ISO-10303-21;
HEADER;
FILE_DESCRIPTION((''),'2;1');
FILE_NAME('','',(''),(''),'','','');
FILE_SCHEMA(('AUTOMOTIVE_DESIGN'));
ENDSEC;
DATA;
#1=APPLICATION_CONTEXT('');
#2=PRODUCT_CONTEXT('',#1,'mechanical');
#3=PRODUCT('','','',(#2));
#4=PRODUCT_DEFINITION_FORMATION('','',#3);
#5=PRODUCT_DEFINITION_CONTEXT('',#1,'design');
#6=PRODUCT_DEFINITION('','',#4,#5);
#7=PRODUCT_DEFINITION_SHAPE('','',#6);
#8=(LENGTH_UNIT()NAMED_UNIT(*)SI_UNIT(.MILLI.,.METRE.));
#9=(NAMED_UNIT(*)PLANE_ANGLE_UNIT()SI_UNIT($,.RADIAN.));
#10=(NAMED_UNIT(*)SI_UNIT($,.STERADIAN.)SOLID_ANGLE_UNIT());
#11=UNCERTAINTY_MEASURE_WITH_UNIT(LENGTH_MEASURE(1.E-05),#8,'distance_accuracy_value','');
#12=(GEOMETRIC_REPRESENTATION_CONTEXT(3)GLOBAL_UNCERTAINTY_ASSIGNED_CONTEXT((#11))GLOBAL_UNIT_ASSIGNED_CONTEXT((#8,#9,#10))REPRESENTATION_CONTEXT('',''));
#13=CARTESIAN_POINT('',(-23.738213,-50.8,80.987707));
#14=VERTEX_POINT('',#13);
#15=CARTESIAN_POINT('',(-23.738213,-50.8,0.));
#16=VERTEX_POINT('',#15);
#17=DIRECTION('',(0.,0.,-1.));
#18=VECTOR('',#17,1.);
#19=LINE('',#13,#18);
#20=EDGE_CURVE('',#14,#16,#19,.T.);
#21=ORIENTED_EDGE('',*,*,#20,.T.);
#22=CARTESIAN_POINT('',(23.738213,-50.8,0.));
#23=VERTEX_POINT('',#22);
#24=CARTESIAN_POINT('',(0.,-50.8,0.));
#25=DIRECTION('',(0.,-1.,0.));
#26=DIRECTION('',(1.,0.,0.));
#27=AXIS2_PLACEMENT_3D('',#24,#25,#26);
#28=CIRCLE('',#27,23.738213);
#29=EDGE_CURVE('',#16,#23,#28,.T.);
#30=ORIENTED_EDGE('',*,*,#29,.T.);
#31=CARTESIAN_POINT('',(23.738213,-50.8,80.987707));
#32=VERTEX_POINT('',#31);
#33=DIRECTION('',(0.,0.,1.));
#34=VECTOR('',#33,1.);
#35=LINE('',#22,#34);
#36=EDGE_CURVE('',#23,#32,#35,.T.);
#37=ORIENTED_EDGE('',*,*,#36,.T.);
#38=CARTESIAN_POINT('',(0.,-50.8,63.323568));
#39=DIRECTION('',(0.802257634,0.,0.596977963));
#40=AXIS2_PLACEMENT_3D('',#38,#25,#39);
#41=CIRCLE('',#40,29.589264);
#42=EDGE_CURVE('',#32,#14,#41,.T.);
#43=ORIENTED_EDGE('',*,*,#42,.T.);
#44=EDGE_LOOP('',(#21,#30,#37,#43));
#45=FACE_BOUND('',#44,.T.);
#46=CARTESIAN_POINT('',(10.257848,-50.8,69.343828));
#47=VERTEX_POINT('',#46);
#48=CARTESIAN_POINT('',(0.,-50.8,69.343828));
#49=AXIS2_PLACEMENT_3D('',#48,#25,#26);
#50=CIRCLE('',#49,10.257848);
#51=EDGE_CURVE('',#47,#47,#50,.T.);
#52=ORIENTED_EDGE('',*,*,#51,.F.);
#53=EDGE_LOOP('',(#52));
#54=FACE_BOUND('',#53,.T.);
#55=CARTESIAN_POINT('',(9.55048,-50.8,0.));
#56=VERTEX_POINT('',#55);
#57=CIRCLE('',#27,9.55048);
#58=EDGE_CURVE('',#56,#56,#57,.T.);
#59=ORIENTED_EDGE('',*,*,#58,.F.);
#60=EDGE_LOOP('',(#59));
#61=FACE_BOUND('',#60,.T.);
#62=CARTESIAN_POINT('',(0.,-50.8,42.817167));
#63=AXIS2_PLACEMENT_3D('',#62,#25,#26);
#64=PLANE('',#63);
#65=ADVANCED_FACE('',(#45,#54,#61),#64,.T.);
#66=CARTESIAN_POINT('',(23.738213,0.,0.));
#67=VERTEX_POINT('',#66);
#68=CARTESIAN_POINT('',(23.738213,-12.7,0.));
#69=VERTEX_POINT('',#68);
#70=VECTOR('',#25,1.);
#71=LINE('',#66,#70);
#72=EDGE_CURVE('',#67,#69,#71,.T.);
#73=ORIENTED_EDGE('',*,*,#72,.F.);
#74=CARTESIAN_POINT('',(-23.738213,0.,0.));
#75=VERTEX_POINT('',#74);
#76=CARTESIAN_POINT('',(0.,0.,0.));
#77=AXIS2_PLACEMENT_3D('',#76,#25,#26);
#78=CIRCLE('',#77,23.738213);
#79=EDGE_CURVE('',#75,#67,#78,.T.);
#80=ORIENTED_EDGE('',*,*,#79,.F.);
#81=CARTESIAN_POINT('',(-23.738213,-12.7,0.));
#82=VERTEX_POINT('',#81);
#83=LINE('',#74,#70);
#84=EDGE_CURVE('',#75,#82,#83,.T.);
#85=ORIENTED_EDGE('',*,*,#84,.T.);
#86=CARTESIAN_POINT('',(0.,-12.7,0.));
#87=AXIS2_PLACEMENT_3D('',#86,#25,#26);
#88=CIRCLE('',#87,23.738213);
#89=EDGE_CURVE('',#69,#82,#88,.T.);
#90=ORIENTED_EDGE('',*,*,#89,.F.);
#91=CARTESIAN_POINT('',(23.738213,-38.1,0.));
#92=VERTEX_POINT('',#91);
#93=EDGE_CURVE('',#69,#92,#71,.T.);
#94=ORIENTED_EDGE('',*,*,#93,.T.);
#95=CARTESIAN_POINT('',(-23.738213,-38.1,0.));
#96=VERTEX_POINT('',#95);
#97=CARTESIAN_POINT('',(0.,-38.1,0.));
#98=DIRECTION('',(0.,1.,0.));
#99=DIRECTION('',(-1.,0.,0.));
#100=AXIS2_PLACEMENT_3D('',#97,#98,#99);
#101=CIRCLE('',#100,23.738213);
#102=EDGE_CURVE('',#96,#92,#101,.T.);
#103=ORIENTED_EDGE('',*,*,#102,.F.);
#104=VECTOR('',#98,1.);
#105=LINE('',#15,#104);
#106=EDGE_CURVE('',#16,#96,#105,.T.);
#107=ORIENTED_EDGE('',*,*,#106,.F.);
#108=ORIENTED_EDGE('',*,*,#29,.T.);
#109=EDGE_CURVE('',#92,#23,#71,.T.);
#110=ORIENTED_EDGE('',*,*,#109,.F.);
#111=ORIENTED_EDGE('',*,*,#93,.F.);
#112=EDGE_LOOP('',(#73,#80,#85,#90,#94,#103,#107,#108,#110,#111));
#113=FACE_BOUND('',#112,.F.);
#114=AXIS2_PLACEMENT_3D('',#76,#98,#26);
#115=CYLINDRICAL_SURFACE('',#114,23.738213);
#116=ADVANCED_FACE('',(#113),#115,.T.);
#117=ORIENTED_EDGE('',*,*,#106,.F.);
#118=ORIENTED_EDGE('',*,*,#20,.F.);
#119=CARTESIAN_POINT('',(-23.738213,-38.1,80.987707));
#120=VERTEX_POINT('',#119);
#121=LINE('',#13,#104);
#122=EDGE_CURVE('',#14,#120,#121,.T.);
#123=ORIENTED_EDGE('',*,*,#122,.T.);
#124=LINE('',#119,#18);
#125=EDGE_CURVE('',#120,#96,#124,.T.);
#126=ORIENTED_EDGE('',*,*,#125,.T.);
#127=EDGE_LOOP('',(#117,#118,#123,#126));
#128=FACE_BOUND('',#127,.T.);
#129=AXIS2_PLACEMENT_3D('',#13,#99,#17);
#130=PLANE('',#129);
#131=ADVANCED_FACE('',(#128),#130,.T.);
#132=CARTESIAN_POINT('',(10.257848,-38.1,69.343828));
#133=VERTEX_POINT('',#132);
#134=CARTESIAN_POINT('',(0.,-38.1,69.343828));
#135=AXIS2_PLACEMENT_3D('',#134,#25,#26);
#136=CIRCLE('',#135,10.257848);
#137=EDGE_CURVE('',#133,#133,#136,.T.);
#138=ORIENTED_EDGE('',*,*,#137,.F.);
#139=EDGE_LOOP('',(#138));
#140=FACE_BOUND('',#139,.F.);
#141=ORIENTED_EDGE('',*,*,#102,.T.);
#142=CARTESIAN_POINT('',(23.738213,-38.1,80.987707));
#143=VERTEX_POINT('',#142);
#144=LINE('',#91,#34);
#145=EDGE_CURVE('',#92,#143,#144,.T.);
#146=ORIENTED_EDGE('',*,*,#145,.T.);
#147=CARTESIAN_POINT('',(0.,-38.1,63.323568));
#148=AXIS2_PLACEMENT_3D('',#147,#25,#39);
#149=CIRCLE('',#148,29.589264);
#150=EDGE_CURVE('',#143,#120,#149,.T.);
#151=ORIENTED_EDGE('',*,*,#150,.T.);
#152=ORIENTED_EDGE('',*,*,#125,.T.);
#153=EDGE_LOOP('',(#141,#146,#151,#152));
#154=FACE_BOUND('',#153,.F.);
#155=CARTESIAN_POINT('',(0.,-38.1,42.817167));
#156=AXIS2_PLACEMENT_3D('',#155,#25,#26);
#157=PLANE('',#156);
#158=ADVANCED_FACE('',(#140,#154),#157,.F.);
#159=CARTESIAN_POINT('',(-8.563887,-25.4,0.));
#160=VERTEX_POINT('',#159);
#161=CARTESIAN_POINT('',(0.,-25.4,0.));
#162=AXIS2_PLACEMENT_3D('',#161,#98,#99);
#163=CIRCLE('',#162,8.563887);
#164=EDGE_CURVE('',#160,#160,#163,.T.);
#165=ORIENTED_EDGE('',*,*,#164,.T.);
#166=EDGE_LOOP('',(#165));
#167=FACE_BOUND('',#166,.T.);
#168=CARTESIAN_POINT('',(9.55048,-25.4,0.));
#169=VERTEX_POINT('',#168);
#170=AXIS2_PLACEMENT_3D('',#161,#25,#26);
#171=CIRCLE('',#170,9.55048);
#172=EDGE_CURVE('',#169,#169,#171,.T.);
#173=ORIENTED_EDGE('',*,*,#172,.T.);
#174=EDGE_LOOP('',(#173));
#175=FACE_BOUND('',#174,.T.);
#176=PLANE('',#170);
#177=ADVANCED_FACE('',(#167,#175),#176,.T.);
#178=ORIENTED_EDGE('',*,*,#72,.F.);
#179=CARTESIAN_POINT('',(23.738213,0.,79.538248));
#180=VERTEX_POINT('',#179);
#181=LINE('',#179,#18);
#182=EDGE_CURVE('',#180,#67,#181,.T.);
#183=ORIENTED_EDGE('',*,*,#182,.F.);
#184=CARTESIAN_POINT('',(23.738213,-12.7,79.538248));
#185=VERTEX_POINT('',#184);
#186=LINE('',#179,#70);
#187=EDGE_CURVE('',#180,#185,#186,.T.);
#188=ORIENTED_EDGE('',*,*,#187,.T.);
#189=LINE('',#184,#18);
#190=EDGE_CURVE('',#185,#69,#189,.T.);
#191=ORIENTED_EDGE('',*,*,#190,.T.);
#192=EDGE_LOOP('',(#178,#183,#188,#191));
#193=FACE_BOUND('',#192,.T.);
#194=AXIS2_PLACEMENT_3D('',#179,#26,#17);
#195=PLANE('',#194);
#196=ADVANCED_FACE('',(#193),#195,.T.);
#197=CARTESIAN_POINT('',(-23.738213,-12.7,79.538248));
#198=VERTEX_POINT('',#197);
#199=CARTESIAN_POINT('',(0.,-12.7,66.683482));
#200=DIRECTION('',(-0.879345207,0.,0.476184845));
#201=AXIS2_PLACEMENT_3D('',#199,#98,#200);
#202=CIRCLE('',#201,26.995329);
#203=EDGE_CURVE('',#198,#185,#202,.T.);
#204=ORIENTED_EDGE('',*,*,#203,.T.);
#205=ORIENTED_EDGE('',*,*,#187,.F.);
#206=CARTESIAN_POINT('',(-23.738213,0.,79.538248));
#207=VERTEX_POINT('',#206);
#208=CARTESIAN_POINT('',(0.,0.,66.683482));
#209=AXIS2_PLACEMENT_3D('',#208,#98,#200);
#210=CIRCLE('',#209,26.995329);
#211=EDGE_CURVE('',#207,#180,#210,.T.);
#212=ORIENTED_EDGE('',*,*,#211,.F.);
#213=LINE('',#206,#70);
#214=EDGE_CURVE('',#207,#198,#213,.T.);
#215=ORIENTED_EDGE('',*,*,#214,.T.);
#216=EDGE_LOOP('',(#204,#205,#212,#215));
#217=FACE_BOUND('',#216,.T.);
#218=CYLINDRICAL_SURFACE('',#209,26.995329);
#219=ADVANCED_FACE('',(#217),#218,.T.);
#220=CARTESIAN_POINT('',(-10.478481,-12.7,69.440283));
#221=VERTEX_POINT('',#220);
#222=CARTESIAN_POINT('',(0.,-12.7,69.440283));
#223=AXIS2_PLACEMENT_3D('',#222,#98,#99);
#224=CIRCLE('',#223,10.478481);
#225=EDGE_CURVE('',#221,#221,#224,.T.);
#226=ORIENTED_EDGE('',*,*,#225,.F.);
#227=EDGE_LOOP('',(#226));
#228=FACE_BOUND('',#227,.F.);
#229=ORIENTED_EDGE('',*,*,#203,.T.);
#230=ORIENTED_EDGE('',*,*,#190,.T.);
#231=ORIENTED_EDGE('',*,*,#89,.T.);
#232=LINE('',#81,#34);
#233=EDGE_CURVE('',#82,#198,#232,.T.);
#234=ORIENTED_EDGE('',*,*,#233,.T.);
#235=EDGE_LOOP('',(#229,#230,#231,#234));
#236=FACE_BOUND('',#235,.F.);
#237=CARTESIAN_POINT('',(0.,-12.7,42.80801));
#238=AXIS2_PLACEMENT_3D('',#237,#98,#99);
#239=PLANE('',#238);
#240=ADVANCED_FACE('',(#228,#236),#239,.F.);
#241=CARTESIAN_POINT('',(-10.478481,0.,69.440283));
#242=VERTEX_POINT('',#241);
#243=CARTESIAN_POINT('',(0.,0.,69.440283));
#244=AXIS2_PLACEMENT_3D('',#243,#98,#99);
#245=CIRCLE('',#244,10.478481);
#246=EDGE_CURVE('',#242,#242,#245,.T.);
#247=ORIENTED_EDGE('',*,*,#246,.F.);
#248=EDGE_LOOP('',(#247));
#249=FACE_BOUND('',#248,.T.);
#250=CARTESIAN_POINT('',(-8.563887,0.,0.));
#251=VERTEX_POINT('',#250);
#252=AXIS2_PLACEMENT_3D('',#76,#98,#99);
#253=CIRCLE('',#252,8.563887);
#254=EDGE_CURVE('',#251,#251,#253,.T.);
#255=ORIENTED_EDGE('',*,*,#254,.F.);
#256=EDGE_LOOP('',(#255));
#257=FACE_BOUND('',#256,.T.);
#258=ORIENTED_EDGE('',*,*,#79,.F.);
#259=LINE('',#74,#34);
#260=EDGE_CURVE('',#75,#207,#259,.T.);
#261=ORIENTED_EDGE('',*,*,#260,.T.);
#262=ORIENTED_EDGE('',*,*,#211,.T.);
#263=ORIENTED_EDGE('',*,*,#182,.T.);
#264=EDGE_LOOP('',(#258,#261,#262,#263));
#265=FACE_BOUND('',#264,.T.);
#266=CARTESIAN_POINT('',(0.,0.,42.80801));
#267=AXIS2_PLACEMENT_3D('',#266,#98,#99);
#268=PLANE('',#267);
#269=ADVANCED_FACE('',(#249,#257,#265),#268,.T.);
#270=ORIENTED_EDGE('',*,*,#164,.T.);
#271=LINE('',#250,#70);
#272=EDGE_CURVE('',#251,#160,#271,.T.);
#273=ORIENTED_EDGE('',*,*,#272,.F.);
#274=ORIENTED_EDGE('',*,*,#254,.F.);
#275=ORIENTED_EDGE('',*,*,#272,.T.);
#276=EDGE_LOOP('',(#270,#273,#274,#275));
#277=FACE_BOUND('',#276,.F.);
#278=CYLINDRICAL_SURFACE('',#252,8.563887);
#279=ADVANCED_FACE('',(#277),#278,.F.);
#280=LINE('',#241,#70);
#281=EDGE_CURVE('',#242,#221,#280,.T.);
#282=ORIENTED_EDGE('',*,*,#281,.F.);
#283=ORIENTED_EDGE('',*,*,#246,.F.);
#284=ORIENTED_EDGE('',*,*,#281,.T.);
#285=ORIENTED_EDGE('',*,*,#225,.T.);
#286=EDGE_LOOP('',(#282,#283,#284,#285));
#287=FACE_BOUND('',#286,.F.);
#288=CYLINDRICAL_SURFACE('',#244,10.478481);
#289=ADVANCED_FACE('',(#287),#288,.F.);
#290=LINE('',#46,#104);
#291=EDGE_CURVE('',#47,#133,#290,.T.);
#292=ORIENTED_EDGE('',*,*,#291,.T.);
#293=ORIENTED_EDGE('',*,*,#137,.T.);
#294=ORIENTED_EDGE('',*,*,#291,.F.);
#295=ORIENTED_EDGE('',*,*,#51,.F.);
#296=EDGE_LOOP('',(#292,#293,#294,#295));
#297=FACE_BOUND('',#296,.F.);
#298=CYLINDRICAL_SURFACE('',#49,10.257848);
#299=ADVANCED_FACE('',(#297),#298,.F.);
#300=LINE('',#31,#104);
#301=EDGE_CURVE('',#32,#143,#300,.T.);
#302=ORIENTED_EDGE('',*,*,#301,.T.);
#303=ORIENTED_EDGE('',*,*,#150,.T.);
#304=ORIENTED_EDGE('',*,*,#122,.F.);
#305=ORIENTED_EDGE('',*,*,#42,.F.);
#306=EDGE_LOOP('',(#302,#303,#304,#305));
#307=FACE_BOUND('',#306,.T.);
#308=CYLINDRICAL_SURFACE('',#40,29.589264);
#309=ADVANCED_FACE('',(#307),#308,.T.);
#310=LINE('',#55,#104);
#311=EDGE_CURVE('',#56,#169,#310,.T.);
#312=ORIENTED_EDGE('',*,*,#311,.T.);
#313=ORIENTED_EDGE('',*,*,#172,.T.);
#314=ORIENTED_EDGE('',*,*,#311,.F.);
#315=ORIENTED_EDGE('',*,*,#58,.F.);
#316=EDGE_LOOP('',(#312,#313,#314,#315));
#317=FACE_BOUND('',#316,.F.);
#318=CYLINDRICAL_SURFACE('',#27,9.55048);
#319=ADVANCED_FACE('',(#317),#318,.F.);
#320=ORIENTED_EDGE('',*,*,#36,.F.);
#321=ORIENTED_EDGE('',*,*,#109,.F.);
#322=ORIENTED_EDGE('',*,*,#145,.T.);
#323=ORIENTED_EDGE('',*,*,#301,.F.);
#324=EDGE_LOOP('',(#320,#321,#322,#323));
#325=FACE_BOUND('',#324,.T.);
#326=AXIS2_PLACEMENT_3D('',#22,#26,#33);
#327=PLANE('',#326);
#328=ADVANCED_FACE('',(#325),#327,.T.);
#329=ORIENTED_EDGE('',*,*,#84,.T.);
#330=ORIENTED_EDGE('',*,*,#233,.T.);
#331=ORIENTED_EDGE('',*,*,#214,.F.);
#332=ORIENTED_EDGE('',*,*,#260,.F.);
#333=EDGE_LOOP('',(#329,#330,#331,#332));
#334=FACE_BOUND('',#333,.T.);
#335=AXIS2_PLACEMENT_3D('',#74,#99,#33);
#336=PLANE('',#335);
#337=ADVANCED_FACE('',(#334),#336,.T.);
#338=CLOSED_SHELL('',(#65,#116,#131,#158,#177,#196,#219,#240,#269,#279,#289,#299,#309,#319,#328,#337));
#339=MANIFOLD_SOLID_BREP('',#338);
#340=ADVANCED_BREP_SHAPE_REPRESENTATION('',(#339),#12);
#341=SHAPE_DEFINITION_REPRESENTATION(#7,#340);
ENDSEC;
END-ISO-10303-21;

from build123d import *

# Parameters (mm, degrees)
F0_R      = 23.7382132345
F1_DEPTH  = 50.8
F2_R      = 9.5504796537
F3_DEPTH  = 25.4
F4_R      = 8.5638867121
F5_DEPTH  = 25.4
F7_DEPTH  = 12.7
F9_DEPTH  = 12.7
F10_R     = 10.4784811222
F11_DEPTH = 25.4
F12_R     = 10.2578484405
F13_DEPTH = 25.4


with BuildPart() as f1:
    # F0 (on Front) → F1 (new body)
    with BuildSketch(Plane.XZ):
        Circle(F0_R)
    extrude(amount=F1_DEPTH)

    # F2 (on face) → F3 (cut)
    with BuildSketch(Plane.XZ.offset(50.8)):
        Circle(F2_R)
    extrude(amount=-F3_DEPTH, mode=Mode.SUBTRACT)

    # F4 (on face) → F5 (cut)
    with BuildSketch(Plane(origin=(0, 0, 0), x_dir=(-1, 0, 0), z_dir=(0, 1, 0))):
        Circle(F4_R)
    extrude(amount=-F5_DEPTH, mode=Mode.SUBTRACT)

    # F6 (on face) → F7 (join)
    with BuildSketch(Plane.XZ.offset(50.8)):
        with BuildLine():
            Line((-23.7382132345, 80.9877067804), (-23.7382132345, 0))
            ThreePointArc((-23.7382132345, 0), (0, 23.7382132345), (23.7382132345, 0))
            Line((23.7382132345, 0), (23.7382132345, 80.9877067804))
            ThreePointArc((23.7382132345, 80.9877067804), (0, 92.9128323783), (-23.7382132345, 80.9877067804))
        make_face()
    extrude(amount=-F7_DEPTH)

    # F8 (on face) → F9 (join)
    with BuildSketch(Plane(origin=(0, 0, 0), x_dir=(-1, 0, 0), z_dir=(0, 1, 0))):
        with BuildLine():
            Line((-23.7382132345, 79.5382484794), (-23.7382132345, 0))
            ThreePointArc((-23.7382132345, 0), (0, 23.7382132345), (23.7382132345, 0))
            Line((23.7382132345, 0), (23.7382132345, 79.5382484794))
            ThreePointArc((23.7382132345, 79.5382484794), (0, 93.6788109579), (-23.7382132345, 79.5382484794))
        make_face()
    extrude(amount=-F9_DEPTH)

    # F10 (on face) → F11 (cut)
    with BuildSketch(Plane(origin=(0, 0, 0), x_dir=(-1, 0, 0), z_dir=(0, 1, 0))):
        with Locations((0, 69.4402828813)):
            Circle(F10_R)
    extrude(amount=-F11_DEPTH, mode=Mode.SUBTRACT)

    # F12 (on face) → F13 (cut)
    with BuildSketch(Plane.XZ.offset(50.8)):
        with Locations((0, 69.3438276649)):
            Circle(F12_R)
    extrude(amount=-F13_DEPTH, mode=Mode.SUBTRACT)


solid = f1.part
